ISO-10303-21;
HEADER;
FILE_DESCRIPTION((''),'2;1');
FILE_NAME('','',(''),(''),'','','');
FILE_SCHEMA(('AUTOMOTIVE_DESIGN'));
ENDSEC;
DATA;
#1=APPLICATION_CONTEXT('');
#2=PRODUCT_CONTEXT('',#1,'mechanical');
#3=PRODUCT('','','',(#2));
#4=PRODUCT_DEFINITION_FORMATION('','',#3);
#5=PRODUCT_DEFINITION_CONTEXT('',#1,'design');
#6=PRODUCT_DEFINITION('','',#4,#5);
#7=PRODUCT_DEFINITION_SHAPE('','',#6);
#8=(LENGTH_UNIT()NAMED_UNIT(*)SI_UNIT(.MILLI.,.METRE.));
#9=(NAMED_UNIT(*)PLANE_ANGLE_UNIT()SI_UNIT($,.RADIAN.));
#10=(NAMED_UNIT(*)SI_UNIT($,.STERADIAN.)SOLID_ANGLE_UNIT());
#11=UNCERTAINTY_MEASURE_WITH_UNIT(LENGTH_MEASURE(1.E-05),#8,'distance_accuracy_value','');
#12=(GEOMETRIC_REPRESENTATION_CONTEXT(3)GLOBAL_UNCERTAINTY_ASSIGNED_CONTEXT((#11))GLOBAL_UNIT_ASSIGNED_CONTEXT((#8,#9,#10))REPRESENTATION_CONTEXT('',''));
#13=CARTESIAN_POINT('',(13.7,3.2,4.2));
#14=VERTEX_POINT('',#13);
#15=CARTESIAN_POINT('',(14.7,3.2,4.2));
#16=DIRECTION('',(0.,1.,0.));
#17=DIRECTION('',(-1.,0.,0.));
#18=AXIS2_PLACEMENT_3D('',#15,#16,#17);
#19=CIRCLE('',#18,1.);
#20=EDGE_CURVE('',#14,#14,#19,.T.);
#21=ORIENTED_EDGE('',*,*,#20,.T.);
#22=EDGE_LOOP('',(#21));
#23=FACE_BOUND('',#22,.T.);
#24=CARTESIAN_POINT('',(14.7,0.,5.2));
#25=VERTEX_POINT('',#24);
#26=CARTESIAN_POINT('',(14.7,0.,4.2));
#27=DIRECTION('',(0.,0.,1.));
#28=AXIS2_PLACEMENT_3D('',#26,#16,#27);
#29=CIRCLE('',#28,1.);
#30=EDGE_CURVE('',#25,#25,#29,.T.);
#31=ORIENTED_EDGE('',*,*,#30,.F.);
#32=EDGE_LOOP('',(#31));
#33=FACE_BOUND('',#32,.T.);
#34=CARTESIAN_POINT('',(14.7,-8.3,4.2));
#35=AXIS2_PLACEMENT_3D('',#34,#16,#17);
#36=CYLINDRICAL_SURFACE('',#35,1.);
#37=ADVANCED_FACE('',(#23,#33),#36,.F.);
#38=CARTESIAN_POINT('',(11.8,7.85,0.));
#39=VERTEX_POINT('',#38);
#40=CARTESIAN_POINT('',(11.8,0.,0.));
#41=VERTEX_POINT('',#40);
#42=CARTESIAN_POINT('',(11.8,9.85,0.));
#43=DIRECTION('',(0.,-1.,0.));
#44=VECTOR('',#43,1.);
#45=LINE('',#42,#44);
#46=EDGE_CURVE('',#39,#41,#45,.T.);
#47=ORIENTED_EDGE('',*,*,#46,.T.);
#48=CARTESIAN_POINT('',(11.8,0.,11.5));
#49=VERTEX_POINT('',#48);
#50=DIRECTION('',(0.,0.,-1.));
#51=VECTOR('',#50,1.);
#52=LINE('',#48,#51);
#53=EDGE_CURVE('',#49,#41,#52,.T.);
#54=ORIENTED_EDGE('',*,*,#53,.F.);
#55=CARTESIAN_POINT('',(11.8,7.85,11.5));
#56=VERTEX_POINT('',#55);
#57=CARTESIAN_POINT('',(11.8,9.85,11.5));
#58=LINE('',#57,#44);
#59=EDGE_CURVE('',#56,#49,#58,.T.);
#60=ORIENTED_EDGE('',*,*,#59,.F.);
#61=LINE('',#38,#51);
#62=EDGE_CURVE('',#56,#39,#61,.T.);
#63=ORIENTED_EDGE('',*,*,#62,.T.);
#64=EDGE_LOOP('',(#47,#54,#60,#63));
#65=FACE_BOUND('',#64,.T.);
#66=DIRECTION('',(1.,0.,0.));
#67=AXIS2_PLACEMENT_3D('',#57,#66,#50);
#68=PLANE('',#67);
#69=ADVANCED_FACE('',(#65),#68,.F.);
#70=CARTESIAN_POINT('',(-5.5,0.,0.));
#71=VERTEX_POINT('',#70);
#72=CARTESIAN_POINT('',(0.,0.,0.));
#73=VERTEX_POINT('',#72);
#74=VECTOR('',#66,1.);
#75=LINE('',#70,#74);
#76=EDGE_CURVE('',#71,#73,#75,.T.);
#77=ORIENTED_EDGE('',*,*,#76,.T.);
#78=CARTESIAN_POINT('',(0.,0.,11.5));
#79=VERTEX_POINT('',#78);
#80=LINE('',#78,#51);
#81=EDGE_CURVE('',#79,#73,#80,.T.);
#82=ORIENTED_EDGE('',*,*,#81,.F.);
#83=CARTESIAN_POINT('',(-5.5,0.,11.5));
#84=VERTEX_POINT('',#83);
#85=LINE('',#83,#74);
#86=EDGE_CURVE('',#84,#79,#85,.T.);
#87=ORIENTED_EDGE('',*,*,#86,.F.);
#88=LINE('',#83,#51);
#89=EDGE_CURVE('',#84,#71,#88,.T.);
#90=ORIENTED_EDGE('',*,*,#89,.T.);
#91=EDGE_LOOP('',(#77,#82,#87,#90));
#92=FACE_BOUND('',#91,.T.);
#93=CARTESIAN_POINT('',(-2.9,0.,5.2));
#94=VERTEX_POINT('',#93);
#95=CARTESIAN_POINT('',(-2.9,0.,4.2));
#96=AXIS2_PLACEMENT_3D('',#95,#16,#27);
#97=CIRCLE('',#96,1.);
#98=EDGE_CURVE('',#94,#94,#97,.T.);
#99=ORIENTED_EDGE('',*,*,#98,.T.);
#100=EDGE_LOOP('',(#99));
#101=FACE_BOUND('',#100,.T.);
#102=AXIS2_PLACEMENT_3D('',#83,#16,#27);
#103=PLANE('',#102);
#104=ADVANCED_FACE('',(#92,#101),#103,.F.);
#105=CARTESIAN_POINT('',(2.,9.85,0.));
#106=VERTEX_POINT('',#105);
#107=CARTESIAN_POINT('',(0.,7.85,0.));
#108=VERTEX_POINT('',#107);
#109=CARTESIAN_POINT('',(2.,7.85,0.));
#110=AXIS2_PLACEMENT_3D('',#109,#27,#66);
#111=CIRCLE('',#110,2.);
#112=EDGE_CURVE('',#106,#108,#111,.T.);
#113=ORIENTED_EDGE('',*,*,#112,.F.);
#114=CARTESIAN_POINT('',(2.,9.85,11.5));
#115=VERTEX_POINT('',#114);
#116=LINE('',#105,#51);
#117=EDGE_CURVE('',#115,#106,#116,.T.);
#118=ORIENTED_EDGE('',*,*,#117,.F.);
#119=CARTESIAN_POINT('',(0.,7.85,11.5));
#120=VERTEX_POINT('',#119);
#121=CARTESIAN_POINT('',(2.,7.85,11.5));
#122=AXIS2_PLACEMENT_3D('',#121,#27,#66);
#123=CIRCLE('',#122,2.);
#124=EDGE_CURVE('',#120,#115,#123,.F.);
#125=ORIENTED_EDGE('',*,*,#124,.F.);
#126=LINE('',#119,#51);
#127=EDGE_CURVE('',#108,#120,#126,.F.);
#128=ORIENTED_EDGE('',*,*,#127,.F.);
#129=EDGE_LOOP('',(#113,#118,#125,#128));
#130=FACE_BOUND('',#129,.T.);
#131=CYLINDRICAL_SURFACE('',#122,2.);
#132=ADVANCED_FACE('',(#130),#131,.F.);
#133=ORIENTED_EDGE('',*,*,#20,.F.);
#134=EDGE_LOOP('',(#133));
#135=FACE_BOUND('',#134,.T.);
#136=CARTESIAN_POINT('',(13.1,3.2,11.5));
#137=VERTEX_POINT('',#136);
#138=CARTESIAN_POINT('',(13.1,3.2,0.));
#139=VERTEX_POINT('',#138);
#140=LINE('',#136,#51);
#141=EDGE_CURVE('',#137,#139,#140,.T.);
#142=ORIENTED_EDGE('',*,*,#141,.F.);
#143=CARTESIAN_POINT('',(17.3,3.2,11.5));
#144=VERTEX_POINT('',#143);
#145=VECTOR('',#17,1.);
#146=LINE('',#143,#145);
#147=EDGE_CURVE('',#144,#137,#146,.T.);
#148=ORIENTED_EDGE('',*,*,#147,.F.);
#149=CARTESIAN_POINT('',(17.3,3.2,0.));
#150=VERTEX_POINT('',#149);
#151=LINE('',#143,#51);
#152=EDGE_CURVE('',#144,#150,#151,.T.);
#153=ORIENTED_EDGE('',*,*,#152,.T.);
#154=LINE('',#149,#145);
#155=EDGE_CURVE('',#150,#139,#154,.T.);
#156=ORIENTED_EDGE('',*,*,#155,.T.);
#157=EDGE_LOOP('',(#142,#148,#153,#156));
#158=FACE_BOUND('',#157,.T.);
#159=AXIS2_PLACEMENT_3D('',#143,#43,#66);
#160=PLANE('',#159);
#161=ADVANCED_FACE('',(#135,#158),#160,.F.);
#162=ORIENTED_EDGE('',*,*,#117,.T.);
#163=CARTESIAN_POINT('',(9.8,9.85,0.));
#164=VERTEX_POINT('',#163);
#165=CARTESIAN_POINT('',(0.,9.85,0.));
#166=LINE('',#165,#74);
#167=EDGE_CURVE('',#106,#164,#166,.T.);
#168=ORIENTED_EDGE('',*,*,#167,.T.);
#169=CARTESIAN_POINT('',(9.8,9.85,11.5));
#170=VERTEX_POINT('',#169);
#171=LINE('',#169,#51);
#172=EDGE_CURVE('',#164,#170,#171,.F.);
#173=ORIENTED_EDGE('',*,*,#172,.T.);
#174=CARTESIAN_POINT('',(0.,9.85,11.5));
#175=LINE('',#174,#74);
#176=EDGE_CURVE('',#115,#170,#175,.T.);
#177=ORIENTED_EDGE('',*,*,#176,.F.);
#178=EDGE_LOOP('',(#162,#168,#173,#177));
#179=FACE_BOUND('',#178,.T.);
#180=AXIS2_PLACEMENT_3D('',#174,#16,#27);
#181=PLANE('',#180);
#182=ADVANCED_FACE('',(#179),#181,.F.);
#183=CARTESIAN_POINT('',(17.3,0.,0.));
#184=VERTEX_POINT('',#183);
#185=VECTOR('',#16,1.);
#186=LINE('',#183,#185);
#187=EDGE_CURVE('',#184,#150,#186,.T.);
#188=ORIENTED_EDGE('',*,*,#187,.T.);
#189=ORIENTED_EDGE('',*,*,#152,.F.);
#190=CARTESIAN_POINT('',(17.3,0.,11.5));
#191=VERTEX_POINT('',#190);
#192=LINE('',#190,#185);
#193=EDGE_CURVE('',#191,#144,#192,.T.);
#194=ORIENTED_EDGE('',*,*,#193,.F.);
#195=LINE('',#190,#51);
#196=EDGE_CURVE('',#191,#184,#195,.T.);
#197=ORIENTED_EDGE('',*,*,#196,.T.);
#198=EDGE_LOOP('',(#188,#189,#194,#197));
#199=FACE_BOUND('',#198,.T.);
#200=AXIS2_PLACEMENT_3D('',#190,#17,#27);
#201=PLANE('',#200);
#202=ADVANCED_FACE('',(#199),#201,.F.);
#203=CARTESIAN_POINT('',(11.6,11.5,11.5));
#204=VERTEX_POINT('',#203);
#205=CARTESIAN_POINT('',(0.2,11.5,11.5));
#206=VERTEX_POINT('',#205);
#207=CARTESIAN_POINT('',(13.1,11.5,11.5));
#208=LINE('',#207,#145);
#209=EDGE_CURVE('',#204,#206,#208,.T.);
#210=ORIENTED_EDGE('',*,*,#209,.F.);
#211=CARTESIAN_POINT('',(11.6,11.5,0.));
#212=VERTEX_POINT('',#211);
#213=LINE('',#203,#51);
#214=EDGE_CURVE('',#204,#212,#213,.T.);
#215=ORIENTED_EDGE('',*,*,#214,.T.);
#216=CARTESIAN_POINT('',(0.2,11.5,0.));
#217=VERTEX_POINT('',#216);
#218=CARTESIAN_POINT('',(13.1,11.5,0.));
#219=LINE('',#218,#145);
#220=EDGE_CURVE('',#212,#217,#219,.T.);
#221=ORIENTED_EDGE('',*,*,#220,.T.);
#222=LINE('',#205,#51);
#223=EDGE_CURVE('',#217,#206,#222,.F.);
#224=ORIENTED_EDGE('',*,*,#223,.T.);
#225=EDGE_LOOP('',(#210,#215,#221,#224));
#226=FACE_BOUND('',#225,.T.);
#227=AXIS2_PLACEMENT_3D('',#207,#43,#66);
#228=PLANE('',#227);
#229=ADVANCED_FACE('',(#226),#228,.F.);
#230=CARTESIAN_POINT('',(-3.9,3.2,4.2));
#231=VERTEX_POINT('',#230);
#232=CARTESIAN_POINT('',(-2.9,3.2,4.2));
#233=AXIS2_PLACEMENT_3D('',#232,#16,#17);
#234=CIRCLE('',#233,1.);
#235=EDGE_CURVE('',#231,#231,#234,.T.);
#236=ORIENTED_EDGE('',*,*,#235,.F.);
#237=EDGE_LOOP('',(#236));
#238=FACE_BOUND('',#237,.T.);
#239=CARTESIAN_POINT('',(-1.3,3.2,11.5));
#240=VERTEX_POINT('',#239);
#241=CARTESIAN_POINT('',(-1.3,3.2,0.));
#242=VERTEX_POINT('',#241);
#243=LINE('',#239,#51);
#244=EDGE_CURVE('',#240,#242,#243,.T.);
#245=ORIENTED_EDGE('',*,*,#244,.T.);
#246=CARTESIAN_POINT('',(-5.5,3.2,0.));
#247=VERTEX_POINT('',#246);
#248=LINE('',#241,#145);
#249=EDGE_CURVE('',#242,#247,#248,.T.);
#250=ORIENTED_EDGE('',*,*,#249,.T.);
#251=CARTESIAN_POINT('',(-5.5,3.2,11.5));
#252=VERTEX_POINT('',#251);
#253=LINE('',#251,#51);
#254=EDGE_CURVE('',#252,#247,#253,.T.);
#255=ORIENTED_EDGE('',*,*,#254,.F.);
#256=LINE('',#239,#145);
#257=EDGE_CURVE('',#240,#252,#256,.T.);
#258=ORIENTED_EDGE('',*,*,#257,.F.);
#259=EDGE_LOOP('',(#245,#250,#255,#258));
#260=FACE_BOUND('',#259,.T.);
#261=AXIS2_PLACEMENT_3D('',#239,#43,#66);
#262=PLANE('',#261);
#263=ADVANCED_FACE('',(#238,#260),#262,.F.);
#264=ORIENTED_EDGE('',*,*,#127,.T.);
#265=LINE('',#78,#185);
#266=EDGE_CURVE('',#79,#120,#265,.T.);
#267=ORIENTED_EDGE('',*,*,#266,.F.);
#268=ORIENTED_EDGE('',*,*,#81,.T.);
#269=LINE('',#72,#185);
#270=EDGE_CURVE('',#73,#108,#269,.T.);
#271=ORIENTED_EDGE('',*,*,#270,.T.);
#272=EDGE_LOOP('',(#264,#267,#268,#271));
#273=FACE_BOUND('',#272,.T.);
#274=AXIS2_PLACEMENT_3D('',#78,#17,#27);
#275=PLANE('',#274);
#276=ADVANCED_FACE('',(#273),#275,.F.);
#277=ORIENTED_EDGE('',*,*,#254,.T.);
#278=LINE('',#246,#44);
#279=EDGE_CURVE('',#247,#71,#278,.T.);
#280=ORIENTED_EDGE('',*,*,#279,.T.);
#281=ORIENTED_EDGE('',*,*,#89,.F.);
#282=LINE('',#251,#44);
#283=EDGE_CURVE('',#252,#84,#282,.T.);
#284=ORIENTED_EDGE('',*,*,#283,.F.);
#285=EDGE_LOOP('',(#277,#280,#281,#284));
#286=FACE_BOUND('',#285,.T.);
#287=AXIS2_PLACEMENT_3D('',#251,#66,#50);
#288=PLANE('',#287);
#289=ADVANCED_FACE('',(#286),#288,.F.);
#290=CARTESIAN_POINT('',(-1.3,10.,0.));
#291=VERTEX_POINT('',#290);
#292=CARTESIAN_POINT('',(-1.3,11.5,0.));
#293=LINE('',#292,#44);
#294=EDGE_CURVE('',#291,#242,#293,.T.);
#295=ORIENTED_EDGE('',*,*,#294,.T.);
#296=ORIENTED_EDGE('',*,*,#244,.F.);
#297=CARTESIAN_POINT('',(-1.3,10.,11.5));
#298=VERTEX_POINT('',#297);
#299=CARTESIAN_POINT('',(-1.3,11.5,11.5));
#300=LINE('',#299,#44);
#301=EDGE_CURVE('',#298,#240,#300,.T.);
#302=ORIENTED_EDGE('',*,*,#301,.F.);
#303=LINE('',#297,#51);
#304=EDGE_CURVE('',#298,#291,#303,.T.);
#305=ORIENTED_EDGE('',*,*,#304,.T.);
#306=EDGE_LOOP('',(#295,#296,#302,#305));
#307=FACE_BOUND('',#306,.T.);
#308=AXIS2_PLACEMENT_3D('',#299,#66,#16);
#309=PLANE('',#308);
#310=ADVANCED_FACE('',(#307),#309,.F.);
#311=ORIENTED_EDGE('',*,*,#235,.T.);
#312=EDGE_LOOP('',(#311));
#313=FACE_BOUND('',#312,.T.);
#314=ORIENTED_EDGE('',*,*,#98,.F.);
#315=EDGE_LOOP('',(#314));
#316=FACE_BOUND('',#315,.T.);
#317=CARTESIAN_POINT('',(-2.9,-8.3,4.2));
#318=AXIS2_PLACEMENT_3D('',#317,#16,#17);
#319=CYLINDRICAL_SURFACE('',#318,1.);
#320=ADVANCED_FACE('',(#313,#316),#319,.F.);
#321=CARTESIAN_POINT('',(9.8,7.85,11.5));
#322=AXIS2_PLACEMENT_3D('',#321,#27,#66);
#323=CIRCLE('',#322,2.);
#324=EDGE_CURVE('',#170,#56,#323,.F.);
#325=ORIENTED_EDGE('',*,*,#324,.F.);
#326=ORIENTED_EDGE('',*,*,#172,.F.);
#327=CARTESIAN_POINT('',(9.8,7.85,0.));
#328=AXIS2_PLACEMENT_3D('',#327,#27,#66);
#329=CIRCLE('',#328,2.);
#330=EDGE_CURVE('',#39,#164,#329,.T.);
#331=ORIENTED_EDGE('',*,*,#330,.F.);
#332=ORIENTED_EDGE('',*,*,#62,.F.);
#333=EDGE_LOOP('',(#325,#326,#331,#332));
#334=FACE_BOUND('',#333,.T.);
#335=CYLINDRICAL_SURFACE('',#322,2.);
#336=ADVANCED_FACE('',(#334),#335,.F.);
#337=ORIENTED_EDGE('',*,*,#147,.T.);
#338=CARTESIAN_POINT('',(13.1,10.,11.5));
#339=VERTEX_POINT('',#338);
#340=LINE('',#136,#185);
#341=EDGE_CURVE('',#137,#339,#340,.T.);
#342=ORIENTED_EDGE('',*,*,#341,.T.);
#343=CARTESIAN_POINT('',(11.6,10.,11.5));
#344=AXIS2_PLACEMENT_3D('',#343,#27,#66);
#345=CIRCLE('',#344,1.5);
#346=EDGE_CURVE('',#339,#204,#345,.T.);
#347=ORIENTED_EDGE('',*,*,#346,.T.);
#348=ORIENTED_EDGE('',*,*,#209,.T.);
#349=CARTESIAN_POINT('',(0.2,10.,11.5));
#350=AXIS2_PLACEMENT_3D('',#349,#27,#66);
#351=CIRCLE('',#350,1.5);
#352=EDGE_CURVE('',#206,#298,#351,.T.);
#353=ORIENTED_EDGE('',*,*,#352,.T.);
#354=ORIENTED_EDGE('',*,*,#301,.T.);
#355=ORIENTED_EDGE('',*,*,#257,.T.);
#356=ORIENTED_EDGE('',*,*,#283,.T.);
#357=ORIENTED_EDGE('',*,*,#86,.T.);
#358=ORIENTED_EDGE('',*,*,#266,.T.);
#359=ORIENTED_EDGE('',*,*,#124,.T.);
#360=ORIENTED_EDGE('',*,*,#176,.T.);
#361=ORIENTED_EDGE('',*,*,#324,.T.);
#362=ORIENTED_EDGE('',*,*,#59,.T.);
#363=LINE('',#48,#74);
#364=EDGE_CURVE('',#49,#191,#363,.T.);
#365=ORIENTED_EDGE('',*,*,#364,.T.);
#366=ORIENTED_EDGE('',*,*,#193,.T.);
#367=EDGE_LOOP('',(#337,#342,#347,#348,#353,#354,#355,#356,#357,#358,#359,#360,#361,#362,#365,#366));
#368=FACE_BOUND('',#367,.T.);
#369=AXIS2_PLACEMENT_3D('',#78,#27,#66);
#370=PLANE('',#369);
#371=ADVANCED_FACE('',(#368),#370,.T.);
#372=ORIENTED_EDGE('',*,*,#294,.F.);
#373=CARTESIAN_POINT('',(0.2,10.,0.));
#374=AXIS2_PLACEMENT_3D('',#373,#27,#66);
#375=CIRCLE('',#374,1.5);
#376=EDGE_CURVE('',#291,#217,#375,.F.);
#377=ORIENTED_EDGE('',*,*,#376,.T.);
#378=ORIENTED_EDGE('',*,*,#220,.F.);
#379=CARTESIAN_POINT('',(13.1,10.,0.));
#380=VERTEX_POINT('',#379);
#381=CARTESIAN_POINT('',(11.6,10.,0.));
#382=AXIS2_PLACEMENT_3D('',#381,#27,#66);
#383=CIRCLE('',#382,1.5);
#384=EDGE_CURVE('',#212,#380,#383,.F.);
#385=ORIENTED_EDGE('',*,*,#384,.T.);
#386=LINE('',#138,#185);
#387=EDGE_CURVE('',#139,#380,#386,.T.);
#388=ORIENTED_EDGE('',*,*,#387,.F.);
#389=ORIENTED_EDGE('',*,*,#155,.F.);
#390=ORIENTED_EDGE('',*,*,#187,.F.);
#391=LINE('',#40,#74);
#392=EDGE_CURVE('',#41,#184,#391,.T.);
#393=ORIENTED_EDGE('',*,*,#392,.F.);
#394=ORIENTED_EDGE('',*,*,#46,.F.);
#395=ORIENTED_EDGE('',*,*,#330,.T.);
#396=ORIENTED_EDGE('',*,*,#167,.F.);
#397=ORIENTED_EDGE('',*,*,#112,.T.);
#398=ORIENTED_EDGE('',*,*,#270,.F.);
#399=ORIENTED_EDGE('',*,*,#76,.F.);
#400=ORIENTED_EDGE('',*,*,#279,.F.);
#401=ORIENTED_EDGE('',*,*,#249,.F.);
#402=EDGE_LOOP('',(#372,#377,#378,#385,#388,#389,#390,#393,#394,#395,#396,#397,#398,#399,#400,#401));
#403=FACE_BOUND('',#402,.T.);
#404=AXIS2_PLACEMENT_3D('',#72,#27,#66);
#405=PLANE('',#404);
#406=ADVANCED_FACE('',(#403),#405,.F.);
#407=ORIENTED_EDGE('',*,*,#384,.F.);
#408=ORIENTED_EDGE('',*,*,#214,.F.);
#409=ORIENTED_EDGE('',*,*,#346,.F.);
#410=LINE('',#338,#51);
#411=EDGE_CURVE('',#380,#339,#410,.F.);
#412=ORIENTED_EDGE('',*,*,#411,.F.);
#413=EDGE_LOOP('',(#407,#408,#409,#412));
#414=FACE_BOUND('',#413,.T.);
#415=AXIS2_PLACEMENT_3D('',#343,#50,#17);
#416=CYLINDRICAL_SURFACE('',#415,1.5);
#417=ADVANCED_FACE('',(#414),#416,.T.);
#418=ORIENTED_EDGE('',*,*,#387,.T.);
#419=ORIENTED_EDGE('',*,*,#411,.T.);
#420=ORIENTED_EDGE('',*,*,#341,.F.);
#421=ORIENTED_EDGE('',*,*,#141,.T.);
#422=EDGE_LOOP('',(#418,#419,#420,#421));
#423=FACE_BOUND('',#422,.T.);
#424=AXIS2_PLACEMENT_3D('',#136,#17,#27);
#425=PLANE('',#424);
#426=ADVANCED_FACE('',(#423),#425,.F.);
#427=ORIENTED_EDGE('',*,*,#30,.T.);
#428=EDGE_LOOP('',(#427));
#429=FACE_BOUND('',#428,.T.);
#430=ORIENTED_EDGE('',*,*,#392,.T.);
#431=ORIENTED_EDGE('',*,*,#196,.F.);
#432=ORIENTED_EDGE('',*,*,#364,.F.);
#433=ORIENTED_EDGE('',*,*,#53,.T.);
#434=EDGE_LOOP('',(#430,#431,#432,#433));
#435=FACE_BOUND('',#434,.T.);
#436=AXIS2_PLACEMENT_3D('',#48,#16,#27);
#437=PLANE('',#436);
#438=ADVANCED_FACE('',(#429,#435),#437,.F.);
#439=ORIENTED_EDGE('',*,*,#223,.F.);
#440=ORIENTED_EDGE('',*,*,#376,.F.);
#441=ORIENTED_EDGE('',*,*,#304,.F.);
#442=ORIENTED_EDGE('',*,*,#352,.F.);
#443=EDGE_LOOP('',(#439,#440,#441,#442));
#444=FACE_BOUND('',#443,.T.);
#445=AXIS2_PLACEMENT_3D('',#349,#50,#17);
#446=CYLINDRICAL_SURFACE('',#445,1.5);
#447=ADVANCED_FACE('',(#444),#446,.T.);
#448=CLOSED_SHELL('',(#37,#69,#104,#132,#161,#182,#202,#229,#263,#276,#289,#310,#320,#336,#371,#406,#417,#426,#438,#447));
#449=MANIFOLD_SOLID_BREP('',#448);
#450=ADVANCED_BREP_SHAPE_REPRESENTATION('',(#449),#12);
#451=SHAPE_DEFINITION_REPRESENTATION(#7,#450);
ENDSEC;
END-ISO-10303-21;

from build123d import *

# Parameters (mm, degrees)
EXTRUDE_1_DEPTH     = 11.5
FILLET_1_R          = 2
FILLET_2_R          = 1.5
SKETCH_2_R          = 1
CUT_EXTRUDE_1_DEPTH = 11.5


with BuildPart() as part:
    # 草图1 → 凸台-拉伸1 (new body)
    with BuildSketch(Plane.XY):
        Polygon((0, 0), (0, 9.85), (11.8, 9.85), (11.8, 0), (17.3, 0), (17.3, 3.2), (13.1, 3.2), (13.1, 11.5), (-1.3, 11.5), (-1.3, 3.2), (-5.5, 3.2), (-5.5, 0), align=None)
    extrude(amount=EXTRUDE_1_DEPTH)

    # 圆角1
    fillet_1_edges = [part.edges().sort_by_distance(p)[0] for p in [
        (11.8, 9.85, 5.75),
        (0, 9.85, 5.75),
    ]]
    fillet(fillet_1_edges, radius=FILLET_1_R)

    # 圆角2
    fillet_2_edges = [part.edges().sort_by_distance(p)[0] for p in [
        (-1.3, 11.5, 5.75),
        (13.1, 11.5, 5.75),
    ]]
    fillet(fillet_2_edges, radius=FILLET_2_R)

    # 草图2 → 切除-拉伸1 (cut)
    with BuildSketch(Plane(origin=(0, 3.2, 0), x_dir=(1, 0, 0), z_dir=(0, 1, 0))):
        with Locations((-2.9, -4.2)):
            Circle(SKETCH_2_R)
        with Locations((14.7, -4.2)):
            Circle(SKETCH_2_R)
    extrude(amount=-CUT_EXTRUDE_1_DEPTH, mode=Mode.SUBTRACT)


solid = part.part
